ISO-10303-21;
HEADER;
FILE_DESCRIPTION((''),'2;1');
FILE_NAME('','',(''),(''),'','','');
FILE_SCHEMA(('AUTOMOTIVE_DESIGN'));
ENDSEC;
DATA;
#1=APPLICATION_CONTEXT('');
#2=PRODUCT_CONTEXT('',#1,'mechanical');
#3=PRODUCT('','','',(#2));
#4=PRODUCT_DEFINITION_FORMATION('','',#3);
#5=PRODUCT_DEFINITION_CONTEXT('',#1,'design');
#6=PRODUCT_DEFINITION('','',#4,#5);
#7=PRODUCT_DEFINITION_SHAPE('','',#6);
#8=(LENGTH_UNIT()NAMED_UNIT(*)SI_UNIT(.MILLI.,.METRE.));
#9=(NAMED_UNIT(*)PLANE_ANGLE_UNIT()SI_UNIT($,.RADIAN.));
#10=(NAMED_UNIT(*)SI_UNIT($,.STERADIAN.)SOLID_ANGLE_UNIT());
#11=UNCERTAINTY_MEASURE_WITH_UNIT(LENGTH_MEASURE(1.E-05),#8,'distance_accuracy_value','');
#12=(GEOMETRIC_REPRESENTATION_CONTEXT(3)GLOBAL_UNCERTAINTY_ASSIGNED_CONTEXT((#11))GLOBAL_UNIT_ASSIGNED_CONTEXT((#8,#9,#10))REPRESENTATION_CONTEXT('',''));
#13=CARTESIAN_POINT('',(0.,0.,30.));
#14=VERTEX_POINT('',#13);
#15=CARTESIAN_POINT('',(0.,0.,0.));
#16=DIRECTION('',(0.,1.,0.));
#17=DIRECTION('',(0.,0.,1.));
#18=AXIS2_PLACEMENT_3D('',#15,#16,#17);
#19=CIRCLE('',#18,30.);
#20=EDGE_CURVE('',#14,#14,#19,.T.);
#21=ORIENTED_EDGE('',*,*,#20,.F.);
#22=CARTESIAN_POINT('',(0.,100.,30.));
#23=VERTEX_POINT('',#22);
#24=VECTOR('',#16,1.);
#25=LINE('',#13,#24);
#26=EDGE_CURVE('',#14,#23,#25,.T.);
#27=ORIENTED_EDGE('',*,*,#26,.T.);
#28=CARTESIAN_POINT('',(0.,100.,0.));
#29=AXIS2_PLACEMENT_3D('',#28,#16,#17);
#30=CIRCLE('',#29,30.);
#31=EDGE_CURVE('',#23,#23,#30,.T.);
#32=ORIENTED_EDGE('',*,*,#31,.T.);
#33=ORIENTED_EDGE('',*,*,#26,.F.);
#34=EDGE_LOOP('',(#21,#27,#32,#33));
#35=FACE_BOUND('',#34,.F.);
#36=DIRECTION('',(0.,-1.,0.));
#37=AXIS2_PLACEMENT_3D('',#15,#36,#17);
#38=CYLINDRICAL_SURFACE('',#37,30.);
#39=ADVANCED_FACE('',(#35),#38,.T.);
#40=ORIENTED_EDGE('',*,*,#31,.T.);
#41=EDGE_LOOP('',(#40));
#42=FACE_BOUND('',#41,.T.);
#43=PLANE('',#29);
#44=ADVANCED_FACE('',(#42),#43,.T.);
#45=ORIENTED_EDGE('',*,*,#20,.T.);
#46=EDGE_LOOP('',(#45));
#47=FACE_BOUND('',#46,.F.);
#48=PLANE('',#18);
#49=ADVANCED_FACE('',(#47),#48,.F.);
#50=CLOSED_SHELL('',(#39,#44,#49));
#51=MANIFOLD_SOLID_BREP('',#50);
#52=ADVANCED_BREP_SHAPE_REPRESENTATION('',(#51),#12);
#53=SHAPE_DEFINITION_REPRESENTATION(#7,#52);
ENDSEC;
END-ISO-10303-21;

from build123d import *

# Parameters (mm, degrees)
SKIZZE1_R                       = 30
AUFSATZ_LINEAR_AUSTRAGEN1_DEPTH = 100


with BuildPart() as part:
    # Skizze1 → Aufsatz-Linear austragen1 (new body)
    with BuildSketch(Plane(origin=(0, 0, 0), x_dir=(1, 0, 0), z_dir=(0, 1, 0))):
        with Locations(Location((0, 0, 0), (0, 0, 270))):  # turned: the seam where the file's is
            Circle(SKIZZE1_R)
    extrude(amount=AUFSATZ_LINEAR_AUSTRAGEN1_DEPTH)


solid = part.part
